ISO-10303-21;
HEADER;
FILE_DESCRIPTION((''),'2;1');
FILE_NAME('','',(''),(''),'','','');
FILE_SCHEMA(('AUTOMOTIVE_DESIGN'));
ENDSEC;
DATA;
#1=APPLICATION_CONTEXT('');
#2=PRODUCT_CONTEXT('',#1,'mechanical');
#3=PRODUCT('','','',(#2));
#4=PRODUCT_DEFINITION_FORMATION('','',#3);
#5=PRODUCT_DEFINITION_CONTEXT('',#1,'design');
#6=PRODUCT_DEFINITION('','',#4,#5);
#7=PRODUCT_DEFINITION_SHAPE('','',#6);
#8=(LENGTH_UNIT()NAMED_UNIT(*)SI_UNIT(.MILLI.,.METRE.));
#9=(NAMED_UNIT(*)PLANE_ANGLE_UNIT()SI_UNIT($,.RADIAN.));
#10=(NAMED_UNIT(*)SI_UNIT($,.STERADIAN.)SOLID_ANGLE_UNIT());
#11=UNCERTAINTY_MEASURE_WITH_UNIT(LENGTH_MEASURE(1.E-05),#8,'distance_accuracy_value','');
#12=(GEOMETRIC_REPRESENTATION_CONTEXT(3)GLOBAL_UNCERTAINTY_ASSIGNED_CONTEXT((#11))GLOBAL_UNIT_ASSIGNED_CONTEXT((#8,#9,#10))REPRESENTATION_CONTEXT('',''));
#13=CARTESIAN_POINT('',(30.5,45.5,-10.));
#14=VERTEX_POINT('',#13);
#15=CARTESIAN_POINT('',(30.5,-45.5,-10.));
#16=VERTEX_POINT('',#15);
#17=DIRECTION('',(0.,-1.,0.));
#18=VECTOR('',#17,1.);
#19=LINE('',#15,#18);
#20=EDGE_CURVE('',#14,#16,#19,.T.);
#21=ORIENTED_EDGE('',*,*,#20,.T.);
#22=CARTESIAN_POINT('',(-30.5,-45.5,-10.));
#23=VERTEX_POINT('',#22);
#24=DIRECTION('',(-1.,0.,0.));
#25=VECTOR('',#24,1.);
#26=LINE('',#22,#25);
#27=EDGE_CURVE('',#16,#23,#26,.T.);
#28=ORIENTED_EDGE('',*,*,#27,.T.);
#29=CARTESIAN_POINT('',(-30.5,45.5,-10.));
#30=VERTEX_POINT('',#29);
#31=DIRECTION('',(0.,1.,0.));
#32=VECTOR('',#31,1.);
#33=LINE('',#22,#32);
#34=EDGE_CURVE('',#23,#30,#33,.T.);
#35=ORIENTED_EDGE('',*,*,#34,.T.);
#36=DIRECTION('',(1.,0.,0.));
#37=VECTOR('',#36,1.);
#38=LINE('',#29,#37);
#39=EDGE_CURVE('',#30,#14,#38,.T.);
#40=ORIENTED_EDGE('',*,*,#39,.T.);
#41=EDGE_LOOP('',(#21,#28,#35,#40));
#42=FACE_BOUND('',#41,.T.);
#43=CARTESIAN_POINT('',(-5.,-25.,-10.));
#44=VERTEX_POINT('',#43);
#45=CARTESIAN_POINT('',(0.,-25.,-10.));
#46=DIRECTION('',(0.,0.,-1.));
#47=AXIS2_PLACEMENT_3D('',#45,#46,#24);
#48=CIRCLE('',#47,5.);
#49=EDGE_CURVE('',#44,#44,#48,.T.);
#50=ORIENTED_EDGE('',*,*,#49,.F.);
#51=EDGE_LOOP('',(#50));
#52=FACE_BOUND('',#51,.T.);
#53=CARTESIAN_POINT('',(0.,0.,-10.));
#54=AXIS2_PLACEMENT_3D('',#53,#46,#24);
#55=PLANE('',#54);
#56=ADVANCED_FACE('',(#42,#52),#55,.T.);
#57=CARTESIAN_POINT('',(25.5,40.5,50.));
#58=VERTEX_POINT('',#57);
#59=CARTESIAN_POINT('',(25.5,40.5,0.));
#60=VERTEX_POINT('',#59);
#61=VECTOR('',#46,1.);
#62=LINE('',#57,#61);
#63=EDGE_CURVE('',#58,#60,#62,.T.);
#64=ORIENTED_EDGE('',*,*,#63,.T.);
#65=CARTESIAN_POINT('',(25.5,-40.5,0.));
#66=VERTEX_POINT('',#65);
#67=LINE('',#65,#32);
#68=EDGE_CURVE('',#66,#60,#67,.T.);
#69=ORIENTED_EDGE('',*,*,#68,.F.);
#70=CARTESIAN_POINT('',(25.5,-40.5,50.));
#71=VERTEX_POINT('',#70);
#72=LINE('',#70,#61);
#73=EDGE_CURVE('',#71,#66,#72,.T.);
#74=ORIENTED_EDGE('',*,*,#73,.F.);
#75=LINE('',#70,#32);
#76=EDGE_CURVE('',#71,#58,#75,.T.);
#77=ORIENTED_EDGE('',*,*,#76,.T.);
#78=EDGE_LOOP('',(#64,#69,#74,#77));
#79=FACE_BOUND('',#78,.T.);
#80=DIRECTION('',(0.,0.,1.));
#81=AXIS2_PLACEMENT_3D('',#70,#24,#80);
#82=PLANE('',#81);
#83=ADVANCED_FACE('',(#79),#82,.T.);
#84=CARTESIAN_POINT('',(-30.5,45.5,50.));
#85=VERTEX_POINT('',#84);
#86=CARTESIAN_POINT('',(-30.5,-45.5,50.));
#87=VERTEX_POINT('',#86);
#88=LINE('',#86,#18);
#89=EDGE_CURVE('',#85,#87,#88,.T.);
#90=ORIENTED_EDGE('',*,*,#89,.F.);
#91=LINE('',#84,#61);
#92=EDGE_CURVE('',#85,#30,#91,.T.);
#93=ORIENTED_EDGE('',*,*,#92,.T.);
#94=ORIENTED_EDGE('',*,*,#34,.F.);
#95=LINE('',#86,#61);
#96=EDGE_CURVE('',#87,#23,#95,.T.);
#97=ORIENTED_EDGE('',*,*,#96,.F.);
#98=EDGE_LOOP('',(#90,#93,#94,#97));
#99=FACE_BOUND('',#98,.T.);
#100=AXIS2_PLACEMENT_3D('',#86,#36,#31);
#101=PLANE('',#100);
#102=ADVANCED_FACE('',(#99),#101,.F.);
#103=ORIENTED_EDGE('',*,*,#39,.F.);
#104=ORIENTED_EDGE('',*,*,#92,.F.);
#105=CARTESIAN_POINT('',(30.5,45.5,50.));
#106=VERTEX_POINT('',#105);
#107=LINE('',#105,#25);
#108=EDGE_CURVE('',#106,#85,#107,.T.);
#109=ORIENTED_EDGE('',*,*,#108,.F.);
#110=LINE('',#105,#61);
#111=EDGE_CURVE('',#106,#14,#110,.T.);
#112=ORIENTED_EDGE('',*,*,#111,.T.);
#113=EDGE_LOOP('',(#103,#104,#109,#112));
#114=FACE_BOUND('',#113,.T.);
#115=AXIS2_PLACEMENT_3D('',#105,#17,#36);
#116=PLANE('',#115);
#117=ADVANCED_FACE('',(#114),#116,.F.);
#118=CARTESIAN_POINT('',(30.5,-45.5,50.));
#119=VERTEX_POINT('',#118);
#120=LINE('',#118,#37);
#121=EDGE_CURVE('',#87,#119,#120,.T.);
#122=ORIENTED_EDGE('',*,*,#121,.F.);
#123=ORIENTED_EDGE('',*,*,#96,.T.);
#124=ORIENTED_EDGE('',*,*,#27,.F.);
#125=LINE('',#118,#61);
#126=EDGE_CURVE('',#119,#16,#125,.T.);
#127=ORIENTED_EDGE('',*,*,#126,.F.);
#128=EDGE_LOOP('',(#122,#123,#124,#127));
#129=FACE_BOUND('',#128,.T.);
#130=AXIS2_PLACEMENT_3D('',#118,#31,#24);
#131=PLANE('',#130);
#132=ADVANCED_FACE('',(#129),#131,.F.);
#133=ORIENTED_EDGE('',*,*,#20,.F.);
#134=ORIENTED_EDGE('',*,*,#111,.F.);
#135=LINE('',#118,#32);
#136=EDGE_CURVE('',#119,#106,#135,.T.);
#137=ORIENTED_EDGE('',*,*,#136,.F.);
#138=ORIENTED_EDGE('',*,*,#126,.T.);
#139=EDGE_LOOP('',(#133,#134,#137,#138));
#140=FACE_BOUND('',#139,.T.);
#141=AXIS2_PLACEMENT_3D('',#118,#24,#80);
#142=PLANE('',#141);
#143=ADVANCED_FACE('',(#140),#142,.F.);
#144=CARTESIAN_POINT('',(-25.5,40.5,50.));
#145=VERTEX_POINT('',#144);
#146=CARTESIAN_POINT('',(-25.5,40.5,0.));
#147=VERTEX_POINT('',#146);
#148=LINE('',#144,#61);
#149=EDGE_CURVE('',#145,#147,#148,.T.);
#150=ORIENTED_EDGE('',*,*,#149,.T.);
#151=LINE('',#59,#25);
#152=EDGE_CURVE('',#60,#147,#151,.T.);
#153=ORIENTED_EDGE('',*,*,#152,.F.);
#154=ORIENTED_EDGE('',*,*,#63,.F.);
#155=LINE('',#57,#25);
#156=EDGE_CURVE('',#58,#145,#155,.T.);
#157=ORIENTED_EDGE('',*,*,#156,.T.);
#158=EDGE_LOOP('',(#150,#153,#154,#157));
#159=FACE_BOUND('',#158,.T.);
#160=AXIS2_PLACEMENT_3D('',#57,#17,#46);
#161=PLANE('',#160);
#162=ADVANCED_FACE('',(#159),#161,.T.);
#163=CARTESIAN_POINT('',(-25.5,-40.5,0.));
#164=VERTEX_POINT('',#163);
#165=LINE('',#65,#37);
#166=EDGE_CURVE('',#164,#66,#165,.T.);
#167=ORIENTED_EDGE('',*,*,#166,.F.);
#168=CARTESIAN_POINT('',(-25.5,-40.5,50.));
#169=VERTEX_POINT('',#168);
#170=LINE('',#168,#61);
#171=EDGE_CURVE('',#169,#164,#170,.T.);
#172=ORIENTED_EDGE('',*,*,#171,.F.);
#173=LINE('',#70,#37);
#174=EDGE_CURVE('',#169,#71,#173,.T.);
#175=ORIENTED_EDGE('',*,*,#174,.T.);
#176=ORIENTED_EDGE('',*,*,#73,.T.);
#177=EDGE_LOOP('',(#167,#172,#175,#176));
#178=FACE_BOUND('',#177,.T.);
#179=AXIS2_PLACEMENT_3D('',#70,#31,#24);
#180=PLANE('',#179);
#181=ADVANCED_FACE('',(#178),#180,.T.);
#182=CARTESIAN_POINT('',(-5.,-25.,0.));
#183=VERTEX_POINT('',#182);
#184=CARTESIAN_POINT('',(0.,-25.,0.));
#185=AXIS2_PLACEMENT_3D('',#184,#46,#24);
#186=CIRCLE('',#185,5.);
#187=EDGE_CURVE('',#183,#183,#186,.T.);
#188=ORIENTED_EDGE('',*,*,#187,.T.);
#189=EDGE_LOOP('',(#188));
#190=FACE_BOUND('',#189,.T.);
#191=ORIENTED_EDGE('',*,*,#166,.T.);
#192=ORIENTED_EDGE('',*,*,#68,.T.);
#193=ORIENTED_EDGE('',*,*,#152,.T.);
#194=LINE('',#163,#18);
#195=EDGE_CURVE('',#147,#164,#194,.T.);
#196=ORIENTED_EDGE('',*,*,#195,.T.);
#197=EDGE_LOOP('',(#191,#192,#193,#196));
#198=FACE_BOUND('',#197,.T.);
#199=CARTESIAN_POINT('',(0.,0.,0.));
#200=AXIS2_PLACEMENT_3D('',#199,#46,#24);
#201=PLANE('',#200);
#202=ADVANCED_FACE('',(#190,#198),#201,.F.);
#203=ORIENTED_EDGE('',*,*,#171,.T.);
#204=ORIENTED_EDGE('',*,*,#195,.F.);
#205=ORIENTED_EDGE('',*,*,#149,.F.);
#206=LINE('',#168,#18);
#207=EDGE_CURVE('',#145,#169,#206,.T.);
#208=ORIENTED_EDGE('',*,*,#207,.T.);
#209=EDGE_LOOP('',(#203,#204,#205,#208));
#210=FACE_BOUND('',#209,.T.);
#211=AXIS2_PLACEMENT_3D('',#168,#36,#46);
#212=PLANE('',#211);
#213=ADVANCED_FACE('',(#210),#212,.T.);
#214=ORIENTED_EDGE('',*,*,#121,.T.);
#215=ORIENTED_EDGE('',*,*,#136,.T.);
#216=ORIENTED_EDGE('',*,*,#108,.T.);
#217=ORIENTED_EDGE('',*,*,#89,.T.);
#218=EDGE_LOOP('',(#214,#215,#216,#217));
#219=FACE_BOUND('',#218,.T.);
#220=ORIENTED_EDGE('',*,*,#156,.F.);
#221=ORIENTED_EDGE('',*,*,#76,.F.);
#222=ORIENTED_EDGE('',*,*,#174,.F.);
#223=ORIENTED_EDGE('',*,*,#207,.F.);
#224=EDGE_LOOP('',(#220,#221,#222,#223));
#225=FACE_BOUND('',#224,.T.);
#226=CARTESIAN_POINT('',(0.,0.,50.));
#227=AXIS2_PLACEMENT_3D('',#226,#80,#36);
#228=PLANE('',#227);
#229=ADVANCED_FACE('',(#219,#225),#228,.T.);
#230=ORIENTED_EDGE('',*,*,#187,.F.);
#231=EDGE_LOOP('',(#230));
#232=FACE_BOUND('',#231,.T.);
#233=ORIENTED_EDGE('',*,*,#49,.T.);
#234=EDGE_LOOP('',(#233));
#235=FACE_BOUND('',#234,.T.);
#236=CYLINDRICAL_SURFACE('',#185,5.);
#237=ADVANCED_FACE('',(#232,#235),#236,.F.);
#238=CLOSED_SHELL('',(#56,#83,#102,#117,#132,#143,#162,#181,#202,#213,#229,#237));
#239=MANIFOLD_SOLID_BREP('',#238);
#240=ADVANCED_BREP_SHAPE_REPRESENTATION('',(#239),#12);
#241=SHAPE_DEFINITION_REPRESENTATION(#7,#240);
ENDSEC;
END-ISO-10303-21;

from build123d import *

# Parameters (mm, degrees)
SKETCH1_W           = 61
SKETCH1_H           = 91
SKETCH1_W_2         = 51
SKETCH1_H_2         = 81
BOSS_EXTRUDE1_DEPTH = 50
SKETCH2_W           = 61
SKETCH2_H           = 91
BOSS_EXTRUDE2_DEPTH = 10
SKETCH3_R           = 5
CUT_EXTRUDE1_DEPTH  = 10


with BuildPart() as part:
    # Sketch1 → Boss-Extrude1 (new body)
    with BuildSketch(Plane.XY):
        Rectangle(SKETCH1_W, SKETCH1_H)
        Rectangle(SKETCH1_W_2, SKETCH1_H_2, mode=Mode.SUBTRACT)
    extrude(amount=BOSS_EXTRUDE1_DEPTH)

    # Sketch2 → Boss-Extrude2 (add)
    with BuildSketch(Plane(origin=(0, 0, 0), x_dir=(-1, 0, 0), z_dir=(0, 0, -1))):
        Rectangle(SKETCH2_W, SKETCH2_H)
    extrude(amount=BOSS_EXTRUDE2_DEPTH)

    # Sketch3 → Cut-Extrude1 (cut)
    with BuildSketch(Plane(origin=(0, 0, -10), x_dir=(-1, 0, 0), z_dir=(0, 0, -1))):
        with Locations((0, -25)):
            Circle(SKETCH3_R)
    extrude(amount=-CUT_EXTRUDE1_DEPTH, mode=Mode.SUBTRACT)


solid = part.part
